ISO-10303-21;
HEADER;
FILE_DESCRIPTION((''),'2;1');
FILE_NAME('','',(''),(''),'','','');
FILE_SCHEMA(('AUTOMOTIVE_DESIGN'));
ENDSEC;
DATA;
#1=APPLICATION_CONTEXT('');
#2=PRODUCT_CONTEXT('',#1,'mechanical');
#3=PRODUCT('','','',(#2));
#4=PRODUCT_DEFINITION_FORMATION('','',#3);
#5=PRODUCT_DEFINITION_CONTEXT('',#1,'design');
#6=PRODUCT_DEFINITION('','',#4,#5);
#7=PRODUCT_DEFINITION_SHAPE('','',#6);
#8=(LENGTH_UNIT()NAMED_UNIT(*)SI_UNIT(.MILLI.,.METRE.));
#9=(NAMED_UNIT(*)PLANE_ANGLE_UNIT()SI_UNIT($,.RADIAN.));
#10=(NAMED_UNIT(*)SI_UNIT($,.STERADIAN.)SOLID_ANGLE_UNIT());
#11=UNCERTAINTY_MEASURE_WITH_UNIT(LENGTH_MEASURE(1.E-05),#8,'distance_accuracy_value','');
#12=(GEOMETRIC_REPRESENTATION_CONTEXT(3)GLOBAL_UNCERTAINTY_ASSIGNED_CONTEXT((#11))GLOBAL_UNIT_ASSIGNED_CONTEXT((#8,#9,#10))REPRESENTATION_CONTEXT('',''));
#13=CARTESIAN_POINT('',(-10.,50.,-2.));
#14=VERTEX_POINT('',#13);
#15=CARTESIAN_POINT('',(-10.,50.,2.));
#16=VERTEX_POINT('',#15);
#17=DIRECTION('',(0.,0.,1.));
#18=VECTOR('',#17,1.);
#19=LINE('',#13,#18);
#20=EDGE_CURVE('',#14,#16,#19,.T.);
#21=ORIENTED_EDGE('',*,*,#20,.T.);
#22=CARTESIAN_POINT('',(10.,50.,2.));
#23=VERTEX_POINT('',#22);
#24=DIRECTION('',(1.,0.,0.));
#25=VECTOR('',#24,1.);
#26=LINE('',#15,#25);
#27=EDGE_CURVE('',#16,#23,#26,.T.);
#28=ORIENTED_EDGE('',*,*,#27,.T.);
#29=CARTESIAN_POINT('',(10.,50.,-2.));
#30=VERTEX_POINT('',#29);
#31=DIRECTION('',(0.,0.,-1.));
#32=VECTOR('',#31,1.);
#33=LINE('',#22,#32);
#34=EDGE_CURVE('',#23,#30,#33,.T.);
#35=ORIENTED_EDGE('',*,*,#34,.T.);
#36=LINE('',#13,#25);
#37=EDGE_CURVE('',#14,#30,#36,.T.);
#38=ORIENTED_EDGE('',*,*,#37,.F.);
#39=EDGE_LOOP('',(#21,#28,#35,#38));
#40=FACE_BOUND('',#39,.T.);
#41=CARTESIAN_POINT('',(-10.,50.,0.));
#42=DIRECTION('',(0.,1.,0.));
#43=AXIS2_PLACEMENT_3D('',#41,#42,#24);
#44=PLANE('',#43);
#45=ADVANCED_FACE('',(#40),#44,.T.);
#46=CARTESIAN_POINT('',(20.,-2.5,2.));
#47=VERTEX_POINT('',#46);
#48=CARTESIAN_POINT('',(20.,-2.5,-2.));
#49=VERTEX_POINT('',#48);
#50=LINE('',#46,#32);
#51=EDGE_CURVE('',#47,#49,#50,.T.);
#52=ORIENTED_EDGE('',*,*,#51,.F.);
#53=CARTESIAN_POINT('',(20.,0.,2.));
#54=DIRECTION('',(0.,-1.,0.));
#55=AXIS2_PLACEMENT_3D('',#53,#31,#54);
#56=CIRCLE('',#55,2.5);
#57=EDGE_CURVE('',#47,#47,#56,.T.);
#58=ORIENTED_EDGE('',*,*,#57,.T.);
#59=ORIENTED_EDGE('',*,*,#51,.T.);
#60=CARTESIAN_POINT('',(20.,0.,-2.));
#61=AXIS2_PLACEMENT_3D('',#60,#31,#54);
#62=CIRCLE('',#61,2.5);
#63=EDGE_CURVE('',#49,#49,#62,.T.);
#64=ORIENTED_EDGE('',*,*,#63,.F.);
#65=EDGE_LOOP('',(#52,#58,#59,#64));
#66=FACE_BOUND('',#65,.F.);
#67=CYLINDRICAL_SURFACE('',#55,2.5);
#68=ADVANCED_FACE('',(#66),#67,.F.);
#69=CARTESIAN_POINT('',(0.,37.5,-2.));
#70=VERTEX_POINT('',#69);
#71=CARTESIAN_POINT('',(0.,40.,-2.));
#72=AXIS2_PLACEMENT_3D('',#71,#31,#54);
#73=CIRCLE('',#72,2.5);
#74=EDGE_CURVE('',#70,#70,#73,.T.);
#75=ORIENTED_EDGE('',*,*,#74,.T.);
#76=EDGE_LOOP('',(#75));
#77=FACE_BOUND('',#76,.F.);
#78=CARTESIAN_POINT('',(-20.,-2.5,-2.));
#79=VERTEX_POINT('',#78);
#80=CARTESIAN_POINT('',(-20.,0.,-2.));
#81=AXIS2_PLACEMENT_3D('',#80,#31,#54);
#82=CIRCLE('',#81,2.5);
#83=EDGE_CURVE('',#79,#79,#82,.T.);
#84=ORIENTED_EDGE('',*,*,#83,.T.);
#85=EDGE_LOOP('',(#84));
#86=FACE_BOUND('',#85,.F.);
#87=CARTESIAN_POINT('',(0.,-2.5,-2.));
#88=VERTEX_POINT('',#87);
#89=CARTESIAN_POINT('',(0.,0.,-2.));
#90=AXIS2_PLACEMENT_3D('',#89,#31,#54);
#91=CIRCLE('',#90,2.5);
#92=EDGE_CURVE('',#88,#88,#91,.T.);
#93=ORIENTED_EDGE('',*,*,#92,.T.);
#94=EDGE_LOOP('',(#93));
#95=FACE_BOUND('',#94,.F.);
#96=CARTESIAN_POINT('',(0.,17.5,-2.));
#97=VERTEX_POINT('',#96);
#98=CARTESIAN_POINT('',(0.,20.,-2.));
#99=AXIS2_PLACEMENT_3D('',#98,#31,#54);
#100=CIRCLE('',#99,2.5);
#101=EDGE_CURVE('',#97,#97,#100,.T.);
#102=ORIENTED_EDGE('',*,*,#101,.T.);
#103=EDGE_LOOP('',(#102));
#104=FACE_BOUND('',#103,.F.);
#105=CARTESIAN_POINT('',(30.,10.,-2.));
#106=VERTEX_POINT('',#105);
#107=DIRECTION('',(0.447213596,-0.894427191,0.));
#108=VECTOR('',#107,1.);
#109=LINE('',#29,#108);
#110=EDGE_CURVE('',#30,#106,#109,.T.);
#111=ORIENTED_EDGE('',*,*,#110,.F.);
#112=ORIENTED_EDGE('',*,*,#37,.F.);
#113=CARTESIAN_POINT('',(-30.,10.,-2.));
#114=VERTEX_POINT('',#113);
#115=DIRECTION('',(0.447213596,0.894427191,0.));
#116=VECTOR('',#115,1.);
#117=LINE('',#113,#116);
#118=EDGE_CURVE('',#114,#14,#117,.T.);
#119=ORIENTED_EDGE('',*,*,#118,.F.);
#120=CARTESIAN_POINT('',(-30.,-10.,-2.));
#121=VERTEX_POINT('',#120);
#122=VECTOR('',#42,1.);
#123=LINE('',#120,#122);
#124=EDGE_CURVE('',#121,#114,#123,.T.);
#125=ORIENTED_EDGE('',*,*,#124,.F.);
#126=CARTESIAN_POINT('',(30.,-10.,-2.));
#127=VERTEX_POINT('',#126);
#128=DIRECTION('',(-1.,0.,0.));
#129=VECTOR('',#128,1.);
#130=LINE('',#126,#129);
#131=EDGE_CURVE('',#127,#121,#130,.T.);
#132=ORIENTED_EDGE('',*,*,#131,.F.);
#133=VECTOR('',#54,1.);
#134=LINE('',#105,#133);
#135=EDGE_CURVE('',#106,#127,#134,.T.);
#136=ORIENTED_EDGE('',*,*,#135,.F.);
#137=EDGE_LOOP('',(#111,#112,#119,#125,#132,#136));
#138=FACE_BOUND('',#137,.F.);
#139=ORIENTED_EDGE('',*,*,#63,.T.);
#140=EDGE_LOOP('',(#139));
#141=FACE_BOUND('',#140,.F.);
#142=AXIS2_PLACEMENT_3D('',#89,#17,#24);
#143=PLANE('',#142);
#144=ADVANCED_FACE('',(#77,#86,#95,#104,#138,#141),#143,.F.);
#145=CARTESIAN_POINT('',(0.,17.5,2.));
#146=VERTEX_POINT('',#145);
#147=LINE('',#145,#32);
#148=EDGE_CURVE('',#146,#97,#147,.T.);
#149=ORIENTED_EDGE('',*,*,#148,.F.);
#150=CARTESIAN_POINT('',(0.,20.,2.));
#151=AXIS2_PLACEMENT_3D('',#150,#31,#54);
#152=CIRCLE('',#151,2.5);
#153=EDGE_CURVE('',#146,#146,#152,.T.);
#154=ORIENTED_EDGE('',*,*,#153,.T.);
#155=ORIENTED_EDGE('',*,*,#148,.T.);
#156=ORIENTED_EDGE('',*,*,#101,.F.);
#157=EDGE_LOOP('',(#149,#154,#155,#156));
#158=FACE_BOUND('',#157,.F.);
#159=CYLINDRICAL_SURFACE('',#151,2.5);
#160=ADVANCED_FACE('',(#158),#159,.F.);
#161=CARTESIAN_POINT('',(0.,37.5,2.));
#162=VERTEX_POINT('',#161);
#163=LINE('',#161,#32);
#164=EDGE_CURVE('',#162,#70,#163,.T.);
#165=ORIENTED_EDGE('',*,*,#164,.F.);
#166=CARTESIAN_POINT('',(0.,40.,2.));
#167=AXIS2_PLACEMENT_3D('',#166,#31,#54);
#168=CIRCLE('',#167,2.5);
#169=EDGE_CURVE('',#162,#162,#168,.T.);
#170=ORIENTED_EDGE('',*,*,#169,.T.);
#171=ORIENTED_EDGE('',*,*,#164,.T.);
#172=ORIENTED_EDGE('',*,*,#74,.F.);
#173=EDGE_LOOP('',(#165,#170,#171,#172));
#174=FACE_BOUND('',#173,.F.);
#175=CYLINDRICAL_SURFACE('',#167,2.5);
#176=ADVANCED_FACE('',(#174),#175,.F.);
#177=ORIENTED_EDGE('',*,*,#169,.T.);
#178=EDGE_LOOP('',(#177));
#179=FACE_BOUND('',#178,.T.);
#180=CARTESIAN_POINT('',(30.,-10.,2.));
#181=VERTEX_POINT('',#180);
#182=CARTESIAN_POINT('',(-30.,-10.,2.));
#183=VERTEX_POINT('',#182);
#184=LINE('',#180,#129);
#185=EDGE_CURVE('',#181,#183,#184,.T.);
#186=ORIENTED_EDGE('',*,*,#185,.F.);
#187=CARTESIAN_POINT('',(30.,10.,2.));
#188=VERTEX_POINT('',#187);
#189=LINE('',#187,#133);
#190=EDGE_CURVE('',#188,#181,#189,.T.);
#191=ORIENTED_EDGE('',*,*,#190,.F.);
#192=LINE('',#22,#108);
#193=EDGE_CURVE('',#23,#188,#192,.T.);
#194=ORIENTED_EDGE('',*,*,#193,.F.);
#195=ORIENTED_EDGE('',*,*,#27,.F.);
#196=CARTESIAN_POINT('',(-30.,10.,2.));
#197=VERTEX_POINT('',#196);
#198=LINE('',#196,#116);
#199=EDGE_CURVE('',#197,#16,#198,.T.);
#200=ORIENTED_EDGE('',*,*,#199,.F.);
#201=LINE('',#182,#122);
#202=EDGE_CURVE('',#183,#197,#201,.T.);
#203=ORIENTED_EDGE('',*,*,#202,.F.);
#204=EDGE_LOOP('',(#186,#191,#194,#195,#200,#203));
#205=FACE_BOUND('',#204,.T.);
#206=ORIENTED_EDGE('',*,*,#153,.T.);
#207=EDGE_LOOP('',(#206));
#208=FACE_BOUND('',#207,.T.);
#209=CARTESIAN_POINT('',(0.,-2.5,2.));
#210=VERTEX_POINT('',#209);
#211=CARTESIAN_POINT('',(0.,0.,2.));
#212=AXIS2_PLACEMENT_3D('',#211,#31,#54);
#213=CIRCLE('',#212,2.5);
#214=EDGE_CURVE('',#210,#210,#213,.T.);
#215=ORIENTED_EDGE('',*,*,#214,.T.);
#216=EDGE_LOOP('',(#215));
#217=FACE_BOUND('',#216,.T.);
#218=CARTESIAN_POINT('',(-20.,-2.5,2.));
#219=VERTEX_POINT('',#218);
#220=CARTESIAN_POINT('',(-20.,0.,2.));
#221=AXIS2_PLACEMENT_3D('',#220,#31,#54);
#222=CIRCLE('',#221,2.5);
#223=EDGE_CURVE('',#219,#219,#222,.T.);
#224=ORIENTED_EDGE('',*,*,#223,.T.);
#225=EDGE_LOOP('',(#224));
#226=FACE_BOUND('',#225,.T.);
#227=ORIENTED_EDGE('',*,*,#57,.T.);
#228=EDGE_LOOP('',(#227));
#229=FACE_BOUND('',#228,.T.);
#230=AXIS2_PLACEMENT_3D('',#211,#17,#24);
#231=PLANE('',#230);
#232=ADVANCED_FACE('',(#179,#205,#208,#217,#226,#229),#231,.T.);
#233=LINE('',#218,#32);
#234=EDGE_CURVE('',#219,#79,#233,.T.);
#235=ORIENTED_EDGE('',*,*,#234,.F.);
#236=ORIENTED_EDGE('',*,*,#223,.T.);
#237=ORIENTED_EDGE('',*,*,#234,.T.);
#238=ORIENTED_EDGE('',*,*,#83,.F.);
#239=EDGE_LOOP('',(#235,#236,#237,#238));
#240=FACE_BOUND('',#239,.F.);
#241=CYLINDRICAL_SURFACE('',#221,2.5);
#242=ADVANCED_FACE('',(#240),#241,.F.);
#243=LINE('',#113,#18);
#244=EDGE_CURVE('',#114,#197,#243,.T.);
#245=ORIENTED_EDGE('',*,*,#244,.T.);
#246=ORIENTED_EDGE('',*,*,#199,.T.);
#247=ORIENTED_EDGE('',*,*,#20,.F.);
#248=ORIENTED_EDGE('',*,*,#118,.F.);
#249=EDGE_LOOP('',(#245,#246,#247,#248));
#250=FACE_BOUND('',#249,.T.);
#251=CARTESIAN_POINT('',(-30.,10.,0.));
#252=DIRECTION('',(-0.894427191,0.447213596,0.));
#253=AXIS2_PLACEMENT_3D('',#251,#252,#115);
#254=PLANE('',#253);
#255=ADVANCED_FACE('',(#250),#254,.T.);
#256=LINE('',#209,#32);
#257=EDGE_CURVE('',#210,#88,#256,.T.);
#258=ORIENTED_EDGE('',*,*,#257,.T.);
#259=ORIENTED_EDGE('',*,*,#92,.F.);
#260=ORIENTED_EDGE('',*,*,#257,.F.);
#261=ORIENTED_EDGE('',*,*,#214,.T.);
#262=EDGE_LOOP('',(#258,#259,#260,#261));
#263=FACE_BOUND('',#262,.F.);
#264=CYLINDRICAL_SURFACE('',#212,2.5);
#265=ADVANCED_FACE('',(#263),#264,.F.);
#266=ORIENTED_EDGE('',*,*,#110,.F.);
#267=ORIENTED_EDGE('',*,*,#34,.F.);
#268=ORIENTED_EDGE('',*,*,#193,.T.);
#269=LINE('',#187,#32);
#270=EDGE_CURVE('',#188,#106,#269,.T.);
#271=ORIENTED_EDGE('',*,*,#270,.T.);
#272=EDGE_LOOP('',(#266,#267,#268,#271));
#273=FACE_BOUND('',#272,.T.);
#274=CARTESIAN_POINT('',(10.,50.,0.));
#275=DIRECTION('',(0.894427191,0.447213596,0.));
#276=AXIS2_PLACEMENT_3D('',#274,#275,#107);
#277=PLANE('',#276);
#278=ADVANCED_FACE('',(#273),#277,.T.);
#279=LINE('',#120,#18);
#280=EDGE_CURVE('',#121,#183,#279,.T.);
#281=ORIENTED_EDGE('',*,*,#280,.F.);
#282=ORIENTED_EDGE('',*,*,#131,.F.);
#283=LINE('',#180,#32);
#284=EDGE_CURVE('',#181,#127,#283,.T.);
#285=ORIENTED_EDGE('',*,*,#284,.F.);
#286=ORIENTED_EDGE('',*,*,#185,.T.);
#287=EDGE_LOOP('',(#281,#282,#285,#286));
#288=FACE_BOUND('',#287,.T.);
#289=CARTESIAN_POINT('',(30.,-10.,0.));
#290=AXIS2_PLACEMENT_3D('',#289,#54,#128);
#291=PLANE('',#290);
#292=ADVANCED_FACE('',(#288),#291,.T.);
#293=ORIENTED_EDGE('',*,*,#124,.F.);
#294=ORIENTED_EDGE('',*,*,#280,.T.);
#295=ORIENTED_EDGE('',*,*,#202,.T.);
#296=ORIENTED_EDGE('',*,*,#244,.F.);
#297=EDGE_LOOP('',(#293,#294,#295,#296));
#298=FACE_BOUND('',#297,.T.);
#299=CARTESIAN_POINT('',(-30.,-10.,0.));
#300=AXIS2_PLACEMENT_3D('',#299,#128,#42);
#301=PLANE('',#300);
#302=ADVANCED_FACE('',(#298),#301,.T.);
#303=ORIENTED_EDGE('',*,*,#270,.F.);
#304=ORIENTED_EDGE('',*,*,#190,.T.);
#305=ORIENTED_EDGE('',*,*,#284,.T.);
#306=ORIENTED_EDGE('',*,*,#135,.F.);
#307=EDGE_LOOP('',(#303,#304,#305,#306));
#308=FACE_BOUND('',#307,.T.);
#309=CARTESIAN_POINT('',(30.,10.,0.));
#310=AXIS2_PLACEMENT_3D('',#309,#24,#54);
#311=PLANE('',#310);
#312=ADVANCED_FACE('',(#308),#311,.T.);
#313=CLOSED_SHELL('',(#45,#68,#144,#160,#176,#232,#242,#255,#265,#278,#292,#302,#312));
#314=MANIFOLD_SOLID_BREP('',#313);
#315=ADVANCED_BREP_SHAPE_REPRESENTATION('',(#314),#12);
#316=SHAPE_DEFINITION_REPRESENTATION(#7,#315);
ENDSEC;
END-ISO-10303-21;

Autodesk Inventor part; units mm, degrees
ref_plane "YZ Plane" through (0, 0, 0) normal (1, 0, 0) x (0, 1, 0)
ref_plane "XZ Plane" through (0, 0, 0) normal (0, 1, 0) x (-1, 0, 0)
ref_plane "XY Plane" through (0, 0, 0) normal (0, 0, 1) x (1, 0, 0)
sketch "Sketch1" plane through (0, 0, 0) normal (0, 0, 1) x (1, 0, 0)
  line L0 (30, 10) -> (-30, 10) construction
  line L1 (-30, 10) -> (-30, -10) construction
  line L2 (-30, -10) -> (30, -10) construction
  line L3 (30, -10) -> (30, 10) construction
  line L4 (30, 10) -> (-30, -10) construction
  line L5 (-30, 10) -> (30, -10) construction
  line L6 (-10, 50) -> (10, 50) construction
  line L7 (10, 50) -> (10, -10) construction
  line L8 (10, -10) -> (-10, -10) construction
  line L9 (-10, -10) -> (-10, 50) construction
  line L10 (-10, 50) -> (10, -10) construction
  line L11 (10, 50) -> (-10, -10) construction
  line L12 (-10, 50) -> (10, 50)
  line L13 (10, 50) -> (30, 10)
  line L14 (30, 10) -> (30, -10)
  line L15 (30, -10) -> (-30, -10)
  line L16 (-30, -10) -> (-30, 10)
  line L17 (-30, 10) -> (-10, 50)
  line L18 (0, 20) -> (0, 0) construction
  dimension "d0" = 20
  dimension "d2" = 20
  dimension "d3" = 60
  dimension "d4" = 60
extrude "Extrusion1" add sketch "Sketch1" along normal mid plane 4
sketch "Sketch2" plane through (0, 0, 2) normal (0, 0, 1) x (1, 0, 0)
  line L0 (10, 50) -> (-10, 50) construction
  line L1 (-30, 10) -> (-30, -10) construction
  line L2 (-30, -10) -> (30, -10) construction
  line L3 (30, -10) -> (30, 10) construction
  line L4 (30, 0) -> (-30, 0) construction
  line L5 (0, 50) -> (0, -10) construction
  point P0 (0, 0)
  point P1 (0, 0)
  point P2 (-20, 0)
  point P3 (20, 0)
  point P4 (0, 20)
  point P5 (0, 40)
  dimension "d7" = 40
  dimension "d9" = 20
  dimension "d10" = 20
  dimension "d11" = 20
hole "Hole1" at (0, 0, 2) at (-20, 0, 2) at (20, 0, 2) at (0, 20, 2) at (0, 40, 2) direction (0, 0, -1) diameter 5 end through all
properties part number "5 Hole T Joining Plate" material "Aluminum 6061"
